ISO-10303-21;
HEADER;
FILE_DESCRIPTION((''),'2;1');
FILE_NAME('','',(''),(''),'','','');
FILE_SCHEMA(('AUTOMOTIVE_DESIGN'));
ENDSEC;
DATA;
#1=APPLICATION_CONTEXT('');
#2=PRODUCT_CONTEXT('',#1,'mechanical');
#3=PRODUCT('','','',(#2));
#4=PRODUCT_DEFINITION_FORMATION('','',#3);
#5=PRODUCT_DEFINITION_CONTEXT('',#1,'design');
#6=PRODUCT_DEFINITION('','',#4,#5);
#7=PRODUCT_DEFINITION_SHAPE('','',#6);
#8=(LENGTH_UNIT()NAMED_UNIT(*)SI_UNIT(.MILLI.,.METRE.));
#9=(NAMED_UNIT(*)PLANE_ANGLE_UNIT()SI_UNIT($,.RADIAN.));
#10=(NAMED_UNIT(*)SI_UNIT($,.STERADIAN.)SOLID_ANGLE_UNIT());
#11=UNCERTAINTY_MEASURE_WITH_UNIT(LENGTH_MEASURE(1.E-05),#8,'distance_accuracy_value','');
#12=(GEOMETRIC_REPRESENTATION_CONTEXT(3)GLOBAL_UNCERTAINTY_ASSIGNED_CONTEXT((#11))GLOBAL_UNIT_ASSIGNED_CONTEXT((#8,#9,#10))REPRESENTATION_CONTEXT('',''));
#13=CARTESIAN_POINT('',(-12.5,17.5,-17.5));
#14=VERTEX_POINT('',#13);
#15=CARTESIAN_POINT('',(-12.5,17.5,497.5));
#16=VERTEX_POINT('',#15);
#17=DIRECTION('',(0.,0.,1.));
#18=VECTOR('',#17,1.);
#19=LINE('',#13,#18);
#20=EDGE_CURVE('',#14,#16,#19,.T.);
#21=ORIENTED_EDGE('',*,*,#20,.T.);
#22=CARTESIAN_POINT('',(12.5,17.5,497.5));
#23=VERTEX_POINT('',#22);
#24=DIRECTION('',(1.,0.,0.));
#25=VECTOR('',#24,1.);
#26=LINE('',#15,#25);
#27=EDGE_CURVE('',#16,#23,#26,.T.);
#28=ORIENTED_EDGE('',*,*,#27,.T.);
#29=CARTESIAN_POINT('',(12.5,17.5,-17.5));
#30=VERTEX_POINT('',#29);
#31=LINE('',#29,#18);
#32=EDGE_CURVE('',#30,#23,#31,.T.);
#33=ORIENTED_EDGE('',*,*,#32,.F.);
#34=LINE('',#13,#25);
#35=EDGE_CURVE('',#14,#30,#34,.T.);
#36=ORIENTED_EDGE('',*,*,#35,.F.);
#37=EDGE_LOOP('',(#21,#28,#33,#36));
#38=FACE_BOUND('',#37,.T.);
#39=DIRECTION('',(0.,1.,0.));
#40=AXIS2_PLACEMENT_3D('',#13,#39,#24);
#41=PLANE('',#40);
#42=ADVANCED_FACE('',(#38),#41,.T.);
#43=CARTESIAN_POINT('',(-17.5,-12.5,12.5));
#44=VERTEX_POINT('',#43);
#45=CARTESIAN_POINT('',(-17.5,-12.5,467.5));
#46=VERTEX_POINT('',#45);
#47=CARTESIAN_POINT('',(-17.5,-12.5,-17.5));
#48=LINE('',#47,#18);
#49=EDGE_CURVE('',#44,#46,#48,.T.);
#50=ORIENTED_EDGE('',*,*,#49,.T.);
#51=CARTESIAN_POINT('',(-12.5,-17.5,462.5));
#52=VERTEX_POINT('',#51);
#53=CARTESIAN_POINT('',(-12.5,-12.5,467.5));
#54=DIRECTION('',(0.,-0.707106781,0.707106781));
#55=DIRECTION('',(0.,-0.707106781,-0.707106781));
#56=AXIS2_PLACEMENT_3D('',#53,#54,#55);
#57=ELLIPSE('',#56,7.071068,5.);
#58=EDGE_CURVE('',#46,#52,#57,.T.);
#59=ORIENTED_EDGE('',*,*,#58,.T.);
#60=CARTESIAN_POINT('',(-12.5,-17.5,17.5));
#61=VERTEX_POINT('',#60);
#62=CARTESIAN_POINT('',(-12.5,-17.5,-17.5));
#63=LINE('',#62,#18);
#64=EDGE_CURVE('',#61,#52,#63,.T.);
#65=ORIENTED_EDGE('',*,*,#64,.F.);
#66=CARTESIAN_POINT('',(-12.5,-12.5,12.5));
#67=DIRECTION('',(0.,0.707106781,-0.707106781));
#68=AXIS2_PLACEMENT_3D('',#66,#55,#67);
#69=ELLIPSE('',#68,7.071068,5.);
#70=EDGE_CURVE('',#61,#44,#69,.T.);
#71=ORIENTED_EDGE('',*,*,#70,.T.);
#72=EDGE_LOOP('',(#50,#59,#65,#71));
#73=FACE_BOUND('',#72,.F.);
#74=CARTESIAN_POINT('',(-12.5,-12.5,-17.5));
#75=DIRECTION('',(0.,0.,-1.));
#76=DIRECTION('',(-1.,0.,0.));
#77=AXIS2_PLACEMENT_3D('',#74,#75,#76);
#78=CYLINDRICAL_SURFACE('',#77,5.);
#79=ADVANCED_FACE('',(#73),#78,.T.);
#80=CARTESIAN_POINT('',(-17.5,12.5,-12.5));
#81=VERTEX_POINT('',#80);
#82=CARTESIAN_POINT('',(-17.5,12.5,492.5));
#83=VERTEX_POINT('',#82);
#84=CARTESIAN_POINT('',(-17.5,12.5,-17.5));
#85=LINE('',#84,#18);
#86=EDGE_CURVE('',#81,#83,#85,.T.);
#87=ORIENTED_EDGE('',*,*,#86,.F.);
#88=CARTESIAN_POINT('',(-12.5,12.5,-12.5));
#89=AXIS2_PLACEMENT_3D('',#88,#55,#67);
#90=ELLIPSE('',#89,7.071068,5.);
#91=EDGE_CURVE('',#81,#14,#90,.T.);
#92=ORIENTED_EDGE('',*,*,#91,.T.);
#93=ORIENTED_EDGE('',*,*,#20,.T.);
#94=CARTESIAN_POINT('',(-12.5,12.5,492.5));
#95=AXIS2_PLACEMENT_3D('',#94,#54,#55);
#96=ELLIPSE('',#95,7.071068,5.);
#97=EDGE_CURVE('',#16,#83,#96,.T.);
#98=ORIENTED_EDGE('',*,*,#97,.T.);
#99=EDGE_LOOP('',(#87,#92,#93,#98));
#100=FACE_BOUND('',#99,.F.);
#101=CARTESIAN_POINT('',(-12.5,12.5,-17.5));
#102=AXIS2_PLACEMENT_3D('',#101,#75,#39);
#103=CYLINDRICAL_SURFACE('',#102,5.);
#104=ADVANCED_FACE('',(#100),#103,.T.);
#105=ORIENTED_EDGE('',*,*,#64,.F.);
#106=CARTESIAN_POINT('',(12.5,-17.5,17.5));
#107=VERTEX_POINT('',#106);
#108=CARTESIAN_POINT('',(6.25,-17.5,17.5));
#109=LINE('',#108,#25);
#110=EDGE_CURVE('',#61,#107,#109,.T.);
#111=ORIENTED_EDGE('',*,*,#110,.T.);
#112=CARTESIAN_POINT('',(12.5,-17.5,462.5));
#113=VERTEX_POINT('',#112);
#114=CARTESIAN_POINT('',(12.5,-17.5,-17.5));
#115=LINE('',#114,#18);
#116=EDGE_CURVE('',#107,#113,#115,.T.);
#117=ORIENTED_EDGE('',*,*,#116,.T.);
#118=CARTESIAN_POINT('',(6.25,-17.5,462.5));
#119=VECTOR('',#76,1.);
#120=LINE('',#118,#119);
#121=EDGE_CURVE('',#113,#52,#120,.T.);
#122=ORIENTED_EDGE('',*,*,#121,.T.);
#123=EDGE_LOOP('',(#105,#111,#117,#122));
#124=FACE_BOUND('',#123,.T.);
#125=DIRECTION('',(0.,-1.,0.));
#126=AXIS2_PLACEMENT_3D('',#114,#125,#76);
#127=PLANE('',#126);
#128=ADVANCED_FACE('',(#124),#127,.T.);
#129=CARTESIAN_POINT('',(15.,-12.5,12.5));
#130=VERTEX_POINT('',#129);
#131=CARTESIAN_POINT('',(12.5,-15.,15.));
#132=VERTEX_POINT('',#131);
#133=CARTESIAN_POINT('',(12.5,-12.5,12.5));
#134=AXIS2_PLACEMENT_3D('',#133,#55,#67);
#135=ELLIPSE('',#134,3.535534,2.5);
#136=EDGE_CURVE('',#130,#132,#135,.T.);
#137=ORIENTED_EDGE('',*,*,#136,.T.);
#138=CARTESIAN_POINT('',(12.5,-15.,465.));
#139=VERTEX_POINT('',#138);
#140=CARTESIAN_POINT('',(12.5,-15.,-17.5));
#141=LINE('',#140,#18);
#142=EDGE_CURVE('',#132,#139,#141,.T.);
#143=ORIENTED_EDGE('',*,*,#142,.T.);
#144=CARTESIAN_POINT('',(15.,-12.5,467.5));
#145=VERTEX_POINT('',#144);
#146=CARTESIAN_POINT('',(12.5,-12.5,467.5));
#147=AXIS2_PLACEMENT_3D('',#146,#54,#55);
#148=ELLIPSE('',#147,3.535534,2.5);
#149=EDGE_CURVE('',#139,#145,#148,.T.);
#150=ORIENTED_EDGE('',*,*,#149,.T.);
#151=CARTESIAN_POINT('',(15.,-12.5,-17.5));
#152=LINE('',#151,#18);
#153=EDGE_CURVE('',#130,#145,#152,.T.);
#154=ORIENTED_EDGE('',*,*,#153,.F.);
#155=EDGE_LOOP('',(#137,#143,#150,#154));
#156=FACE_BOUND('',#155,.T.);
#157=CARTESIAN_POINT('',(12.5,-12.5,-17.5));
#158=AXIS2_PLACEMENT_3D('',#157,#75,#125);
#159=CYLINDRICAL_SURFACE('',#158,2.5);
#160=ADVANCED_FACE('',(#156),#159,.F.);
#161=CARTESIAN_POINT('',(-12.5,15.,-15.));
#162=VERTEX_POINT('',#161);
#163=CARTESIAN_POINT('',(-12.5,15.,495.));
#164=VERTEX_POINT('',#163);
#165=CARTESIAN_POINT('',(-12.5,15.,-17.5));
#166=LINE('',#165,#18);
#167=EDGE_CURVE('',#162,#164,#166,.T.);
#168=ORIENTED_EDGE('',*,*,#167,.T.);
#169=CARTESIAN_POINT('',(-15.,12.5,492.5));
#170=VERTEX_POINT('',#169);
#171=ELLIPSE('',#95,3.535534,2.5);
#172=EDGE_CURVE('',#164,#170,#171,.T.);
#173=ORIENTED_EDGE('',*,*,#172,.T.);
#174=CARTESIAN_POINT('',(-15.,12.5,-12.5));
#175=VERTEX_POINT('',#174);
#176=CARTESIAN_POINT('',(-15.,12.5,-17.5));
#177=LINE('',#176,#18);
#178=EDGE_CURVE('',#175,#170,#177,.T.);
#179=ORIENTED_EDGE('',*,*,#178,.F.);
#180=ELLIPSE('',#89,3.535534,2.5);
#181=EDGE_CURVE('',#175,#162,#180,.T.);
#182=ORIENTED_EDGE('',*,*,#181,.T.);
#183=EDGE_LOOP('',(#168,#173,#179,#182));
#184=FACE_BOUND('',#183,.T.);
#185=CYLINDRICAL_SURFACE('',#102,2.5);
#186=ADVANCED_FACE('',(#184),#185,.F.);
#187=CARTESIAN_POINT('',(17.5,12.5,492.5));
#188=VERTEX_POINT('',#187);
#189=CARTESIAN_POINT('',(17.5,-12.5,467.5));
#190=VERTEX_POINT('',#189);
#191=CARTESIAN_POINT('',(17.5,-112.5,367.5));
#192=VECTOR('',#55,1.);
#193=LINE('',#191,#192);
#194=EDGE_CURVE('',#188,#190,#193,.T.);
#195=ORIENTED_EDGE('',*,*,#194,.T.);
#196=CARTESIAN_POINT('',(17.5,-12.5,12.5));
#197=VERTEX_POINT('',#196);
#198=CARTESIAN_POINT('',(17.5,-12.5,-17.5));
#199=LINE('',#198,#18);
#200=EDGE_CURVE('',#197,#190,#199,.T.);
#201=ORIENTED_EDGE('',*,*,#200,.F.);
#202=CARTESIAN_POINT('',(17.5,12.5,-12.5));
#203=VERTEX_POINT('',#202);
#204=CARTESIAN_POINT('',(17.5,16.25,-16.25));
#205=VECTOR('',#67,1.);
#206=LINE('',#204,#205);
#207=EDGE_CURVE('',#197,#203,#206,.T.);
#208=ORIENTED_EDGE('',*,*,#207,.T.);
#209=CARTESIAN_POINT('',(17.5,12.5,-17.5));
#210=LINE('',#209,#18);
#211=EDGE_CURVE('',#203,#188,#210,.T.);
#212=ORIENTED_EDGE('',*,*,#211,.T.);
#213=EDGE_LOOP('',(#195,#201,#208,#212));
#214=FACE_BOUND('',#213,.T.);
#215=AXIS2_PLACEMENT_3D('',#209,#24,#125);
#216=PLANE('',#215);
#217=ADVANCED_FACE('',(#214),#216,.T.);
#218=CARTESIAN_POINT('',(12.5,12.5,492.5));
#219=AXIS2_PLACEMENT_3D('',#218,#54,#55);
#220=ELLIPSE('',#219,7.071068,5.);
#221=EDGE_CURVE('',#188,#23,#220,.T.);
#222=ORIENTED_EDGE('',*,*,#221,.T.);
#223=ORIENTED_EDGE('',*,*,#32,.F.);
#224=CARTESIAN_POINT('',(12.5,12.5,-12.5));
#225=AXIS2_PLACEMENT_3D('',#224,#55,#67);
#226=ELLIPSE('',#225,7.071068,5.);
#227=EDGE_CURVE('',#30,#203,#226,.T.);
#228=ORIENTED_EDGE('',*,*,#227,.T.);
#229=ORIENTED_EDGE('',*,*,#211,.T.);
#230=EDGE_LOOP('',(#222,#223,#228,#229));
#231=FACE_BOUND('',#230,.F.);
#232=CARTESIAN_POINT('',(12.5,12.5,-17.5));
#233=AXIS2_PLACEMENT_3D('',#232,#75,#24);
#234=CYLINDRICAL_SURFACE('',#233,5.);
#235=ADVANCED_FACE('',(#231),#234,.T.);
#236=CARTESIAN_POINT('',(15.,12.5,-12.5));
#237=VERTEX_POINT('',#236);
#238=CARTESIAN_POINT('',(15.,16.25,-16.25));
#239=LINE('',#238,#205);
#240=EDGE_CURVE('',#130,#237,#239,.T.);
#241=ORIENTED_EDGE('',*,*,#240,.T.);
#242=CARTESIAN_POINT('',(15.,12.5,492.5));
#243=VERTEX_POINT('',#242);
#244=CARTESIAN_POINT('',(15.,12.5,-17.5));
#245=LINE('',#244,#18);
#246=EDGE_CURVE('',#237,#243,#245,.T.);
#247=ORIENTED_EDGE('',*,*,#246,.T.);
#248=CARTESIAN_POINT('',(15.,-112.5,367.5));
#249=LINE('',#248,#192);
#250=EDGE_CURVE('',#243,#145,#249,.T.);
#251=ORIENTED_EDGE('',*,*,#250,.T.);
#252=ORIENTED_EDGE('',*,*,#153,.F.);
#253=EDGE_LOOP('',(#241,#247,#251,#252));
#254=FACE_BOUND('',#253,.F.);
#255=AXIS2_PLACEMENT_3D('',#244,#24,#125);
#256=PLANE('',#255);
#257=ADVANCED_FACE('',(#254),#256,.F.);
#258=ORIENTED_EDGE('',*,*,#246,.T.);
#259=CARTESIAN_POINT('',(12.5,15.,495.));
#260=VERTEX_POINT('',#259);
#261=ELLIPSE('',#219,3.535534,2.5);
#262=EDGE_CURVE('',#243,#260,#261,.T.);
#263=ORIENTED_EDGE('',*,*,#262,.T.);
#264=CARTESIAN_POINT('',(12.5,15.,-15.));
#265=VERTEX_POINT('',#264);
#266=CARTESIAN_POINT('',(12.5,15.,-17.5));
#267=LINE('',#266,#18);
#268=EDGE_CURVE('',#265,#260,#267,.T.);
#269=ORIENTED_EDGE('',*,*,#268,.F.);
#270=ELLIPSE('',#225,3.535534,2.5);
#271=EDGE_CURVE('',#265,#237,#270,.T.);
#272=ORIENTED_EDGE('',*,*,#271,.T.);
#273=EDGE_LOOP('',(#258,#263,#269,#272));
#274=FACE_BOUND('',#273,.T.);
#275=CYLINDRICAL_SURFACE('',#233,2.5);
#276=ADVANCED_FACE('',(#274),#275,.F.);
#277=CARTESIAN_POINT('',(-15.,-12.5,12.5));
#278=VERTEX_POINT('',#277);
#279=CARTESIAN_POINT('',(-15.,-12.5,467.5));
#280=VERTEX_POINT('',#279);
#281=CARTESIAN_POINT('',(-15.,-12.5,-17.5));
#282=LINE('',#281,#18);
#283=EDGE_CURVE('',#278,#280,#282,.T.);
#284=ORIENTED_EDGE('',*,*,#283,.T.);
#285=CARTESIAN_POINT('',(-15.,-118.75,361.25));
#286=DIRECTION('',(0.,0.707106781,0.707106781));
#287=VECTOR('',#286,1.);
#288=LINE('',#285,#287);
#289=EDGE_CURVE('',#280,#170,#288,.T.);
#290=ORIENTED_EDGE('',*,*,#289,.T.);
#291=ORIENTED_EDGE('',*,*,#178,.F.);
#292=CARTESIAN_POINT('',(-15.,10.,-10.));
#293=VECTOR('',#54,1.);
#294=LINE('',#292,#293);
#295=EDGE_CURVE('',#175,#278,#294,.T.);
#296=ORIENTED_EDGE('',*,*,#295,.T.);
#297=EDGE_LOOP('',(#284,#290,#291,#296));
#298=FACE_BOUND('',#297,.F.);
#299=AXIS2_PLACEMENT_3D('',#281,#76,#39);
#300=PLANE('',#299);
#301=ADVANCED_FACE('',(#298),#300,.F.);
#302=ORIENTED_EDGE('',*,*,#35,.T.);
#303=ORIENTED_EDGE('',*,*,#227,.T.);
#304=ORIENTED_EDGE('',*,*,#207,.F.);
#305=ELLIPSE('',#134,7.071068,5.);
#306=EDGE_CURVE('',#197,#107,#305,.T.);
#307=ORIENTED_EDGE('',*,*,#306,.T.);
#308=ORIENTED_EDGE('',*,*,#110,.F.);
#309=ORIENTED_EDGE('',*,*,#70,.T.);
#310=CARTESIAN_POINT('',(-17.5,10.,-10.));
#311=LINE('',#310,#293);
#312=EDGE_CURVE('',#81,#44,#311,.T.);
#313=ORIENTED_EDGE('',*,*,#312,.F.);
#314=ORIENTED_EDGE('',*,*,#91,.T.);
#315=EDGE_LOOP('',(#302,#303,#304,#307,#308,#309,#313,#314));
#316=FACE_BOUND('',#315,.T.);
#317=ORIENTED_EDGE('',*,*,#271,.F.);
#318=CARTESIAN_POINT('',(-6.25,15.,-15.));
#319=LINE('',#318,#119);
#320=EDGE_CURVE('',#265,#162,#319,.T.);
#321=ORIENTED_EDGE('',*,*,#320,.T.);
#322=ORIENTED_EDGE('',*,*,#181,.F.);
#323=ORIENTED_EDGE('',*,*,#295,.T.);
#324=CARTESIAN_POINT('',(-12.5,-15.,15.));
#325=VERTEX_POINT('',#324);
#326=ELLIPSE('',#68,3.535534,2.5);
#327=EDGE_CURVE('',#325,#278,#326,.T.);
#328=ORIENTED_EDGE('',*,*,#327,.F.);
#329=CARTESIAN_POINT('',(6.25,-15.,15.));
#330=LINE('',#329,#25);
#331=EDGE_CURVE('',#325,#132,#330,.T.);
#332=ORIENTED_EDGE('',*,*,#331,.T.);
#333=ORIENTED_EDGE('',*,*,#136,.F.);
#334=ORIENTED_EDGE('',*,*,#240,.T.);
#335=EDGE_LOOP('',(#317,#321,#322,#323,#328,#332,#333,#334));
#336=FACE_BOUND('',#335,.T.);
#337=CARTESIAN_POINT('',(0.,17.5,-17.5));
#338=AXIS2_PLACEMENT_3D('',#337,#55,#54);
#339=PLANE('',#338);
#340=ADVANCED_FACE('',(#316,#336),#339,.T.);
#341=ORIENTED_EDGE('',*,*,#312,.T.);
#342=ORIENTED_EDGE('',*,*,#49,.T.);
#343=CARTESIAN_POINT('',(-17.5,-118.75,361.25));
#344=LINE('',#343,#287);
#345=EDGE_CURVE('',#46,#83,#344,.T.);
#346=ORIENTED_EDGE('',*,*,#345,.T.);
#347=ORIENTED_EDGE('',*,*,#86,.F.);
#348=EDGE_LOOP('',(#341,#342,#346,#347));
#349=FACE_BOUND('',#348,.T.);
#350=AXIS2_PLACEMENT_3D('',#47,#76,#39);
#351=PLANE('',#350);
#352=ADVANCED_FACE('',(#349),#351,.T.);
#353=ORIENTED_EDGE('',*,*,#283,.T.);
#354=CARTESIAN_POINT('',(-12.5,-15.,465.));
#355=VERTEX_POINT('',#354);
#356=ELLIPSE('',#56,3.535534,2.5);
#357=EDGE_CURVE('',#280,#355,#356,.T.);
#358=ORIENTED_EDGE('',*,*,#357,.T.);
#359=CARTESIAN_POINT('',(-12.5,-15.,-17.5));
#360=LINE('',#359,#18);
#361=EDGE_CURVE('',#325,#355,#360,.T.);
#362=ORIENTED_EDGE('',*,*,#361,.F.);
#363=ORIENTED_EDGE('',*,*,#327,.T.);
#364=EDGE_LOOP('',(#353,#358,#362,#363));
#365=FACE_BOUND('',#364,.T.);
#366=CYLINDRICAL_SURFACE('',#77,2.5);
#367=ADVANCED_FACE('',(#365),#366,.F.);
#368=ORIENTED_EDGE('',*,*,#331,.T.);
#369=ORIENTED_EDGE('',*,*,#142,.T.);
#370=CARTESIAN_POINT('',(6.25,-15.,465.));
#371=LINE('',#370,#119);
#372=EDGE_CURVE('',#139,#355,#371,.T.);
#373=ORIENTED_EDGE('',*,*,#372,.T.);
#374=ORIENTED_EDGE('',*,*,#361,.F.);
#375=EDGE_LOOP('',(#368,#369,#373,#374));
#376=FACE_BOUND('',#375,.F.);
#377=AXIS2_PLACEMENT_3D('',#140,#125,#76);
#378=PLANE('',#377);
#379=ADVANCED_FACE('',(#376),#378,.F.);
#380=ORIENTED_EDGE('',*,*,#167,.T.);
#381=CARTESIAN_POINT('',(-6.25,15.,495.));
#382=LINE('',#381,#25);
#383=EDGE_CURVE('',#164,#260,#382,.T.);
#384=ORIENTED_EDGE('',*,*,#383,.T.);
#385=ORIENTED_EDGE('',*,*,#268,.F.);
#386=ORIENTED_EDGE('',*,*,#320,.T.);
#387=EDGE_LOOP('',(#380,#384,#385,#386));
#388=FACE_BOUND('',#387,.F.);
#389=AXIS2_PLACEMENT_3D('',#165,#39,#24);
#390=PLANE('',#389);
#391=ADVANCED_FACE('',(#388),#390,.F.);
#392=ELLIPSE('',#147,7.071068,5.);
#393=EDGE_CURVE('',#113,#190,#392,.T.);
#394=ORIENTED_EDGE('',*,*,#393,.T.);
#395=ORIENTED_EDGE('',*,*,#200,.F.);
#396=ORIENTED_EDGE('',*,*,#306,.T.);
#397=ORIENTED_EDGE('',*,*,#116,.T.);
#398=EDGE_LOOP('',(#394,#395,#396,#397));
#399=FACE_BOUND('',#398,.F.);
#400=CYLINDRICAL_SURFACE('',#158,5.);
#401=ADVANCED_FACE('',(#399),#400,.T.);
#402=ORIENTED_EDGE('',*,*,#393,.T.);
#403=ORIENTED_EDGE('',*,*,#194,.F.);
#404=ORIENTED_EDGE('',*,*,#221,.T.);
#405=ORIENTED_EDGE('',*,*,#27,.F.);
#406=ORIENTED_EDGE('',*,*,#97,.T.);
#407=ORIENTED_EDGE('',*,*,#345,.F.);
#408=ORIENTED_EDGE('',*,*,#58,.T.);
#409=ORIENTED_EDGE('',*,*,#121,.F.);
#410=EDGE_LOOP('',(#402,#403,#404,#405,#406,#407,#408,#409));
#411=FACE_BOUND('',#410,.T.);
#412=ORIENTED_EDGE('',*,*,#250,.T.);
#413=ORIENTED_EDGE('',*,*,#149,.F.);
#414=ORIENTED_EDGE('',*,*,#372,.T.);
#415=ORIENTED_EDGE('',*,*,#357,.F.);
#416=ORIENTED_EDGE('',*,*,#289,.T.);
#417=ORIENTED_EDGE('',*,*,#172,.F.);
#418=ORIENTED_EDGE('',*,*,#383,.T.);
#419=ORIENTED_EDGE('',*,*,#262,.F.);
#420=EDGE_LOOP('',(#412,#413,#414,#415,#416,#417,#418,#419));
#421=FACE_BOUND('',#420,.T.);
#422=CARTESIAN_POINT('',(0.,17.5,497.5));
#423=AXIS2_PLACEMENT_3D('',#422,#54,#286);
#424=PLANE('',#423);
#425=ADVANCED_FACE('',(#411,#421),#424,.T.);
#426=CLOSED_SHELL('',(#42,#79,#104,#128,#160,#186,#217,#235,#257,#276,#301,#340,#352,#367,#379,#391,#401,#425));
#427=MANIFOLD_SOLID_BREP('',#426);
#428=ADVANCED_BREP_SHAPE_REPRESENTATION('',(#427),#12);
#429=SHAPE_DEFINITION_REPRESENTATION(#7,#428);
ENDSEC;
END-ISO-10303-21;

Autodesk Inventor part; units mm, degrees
ref_plane "Start plane" through (0, 0, -17.5) normal (0, 0, 1) x (1, 0, 0)
ref_plane "End plane" through (0, 0, 497.5) normal (0, 0, 1) x (1, 0, 0)
sketch "Sketch" plane through (0, 0, 0) normal (0, 0, 1) x (1, 0, 0)
  line L0 (-17.5, -12.5) -> (-17.5, 12.5)
  line L1 (-12.5, 17.5) -> (12.5, 17.5)
  line L2 (17.5, 12.5) -> (17.5, -12.5)
  line L3 (12.5, -17.5) -> (-12.5, -17.5)
  arc A0 (-17.5, -12.5) -> (-12.5, -17.5) centre (-12.5, -12.5) ccw
  arc A1 (-12.5, 17.5) -> (-17.5, 12.5) centre (-12.5, 12.5) ccw
  arc A2 (17.5, 12.5) -> (12.5, 17.5) centre (12.5, 12.5) ccw
  arc A3 (12.5, -17.5) -> (17.5, -12.5) centre (12.5, -12.5) ccw
  arc A4 (-12.5, 15) -> (-15, 12.5) centre (-12.5, 12.5) ccw
  line L4 (-12.5, 15) -> (12.5, 15)
  arc A5 (15, 12.5) -> (12.5, 15) centre (12.5, 12.5) ccw
  line L5 (15, 12.5) -> (15, -12.5)
  arc A6 (12.5, -15) -> (15, -12.5) centre (12.5, -12.5) ccw
  line L6 (12.5, -15) -> (-12.5, -15)
  arc A7 (-15, -12.5) -> (-12.5, -15) centre (-12.5, -12.5) ccw
  line L7 (-15, -12.5) -> (-15, 12.5)
  line L8 (0, 25.9497) -> (0, -25.9497) construction
  line L9 (-25.9497, 0) -> (25.9497, 0) construction
  dimension "d7" = 5
  dimension "d10" = 35
  dimension "d11" = 35
  dimension "d12" = 2.5
  dimension "d15" = 17.5
  dimension "d16" = 17.5
extrude "Body" add sketch "Sketch" along normal up to surface (515 mm away) from surface at -17.5
sketch "Sketch3" plane through (0, 0, 0) normal (0, 0, 1) x (1, 0, 0)
  line L0 (0, 0) -> (10, 0)
ref_plane "Work Plane3" through (0, 0, 0) normal (0, -1, 0) x (1, 0, 0)
sketch "Sketch4" plane through (0, 0, 0) normal (0, -1, 0) x (1, 0, 0)
  line L0 (-2, -17.5) -> (12, -17.5)
  line L1 (-2, 497.5) -> (12, 497.5)
  dimension "d18" = 515
ref_plane "Work Plane13" through (0, 17.5, 497.5) normal (0, -0.7071, 0.7071) x (1, 0, 0)
split "Split4" plane through (0, 17.5, 497.5) removes the side toward (0, -0.7071, 0.7071)
ref_plane "Work Plane14" through (0, 17.5, -17.5) normal (0, -0.7071, -0.7071) x (1, 0, 0)
split "Split5" plane through (0, 17.5, -17.5) removes the side toward (0, -0.7071, -0.7071)
equation "\"d7\" = G_IR"
equation "\"d10\" = G_H"
equation "\"d11\" = G_W"
equation "\"d12\" = G_T"
equation "\"d15\" = 0.5 * d10"
equation "\"d16\" = 0.5 * d11"
equation "\"d3\" = G_L"
equation "\"G_W\" = 35"
equation "\"G_H\" = 35"
equation "\"G_T\" = 2.5"
equation "\"G_IR\" = 5"
equation "\"G_L\" = d18"
equation "\"G_OFFSET_START\" = 17.5"
equation "\"G_OFFSET_END\" = 17.5"
equation "\"d13\" = -G_OFFSET_START"
equation "\"d14\" = G_OFFSET_END + B_L"
equation "\"B_L\" = 480"
properties part number "AS 1163 - C350L0 35x35x2.5 SHS - 515" material "Steel, Mild"
